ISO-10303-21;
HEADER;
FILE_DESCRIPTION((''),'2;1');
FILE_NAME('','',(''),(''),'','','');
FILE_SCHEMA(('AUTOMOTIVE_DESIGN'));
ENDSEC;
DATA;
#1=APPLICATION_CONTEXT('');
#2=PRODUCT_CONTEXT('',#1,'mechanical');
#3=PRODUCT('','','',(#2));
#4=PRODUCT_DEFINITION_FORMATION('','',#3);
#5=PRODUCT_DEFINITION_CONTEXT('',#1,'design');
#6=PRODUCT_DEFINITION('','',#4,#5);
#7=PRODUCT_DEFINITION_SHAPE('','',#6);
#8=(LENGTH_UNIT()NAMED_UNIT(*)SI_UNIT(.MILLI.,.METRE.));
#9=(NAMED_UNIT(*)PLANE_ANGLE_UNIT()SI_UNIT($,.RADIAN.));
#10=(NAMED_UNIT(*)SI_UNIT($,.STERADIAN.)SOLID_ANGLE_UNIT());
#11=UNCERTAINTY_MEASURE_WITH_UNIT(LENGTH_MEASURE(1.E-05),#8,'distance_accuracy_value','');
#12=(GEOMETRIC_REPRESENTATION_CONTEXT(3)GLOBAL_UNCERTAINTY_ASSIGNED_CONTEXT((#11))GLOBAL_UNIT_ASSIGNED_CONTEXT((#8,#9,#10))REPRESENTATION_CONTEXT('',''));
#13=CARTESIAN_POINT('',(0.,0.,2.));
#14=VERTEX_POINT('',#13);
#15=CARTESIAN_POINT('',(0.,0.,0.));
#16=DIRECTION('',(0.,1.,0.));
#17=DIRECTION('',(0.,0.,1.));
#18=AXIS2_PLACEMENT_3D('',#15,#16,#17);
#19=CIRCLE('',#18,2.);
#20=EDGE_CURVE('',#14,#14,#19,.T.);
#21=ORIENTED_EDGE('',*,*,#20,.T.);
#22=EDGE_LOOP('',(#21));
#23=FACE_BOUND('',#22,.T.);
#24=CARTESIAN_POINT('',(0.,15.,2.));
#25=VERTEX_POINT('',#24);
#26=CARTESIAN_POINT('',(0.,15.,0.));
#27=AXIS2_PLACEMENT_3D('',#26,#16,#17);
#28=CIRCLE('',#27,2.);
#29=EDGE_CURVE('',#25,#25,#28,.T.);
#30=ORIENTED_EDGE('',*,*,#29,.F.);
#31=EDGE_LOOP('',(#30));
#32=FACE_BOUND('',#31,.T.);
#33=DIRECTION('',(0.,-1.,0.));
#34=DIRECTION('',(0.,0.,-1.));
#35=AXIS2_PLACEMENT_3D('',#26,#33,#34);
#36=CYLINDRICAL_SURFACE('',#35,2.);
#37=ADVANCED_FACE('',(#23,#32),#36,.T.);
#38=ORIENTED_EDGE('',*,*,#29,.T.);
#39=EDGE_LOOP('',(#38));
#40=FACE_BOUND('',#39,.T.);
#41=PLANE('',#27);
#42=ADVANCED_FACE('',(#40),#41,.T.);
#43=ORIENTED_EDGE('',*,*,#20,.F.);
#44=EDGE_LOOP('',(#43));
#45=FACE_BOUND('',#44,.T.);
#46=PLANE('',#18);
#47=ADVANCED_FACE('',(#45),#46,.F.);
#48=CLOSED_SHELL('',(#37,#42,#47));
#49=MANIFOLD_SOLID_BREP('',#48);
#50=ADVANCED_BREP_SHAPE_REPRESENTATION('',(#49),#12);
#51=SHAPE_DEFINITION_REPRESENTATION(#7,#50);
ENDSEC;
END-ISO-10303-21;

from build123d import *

# Parameters (mm, degrees)
ESQUISSE1_R        = 2
BOSS_EXTRU_1_DEPTH = 15


with BuildPart() as part:
    # Esquisse1 → Boss.-Extru.1 (new body)
    with BuildSketch(Plane(origin=(0, 0, 0), x_dir=(1, 0, 0), z_dir=(0, 1, 0))):
        Circle(ESQUISSE1_R)
    extrude(amount=BOSS_EXTRU_1_DEPTH)


solid = part.part
